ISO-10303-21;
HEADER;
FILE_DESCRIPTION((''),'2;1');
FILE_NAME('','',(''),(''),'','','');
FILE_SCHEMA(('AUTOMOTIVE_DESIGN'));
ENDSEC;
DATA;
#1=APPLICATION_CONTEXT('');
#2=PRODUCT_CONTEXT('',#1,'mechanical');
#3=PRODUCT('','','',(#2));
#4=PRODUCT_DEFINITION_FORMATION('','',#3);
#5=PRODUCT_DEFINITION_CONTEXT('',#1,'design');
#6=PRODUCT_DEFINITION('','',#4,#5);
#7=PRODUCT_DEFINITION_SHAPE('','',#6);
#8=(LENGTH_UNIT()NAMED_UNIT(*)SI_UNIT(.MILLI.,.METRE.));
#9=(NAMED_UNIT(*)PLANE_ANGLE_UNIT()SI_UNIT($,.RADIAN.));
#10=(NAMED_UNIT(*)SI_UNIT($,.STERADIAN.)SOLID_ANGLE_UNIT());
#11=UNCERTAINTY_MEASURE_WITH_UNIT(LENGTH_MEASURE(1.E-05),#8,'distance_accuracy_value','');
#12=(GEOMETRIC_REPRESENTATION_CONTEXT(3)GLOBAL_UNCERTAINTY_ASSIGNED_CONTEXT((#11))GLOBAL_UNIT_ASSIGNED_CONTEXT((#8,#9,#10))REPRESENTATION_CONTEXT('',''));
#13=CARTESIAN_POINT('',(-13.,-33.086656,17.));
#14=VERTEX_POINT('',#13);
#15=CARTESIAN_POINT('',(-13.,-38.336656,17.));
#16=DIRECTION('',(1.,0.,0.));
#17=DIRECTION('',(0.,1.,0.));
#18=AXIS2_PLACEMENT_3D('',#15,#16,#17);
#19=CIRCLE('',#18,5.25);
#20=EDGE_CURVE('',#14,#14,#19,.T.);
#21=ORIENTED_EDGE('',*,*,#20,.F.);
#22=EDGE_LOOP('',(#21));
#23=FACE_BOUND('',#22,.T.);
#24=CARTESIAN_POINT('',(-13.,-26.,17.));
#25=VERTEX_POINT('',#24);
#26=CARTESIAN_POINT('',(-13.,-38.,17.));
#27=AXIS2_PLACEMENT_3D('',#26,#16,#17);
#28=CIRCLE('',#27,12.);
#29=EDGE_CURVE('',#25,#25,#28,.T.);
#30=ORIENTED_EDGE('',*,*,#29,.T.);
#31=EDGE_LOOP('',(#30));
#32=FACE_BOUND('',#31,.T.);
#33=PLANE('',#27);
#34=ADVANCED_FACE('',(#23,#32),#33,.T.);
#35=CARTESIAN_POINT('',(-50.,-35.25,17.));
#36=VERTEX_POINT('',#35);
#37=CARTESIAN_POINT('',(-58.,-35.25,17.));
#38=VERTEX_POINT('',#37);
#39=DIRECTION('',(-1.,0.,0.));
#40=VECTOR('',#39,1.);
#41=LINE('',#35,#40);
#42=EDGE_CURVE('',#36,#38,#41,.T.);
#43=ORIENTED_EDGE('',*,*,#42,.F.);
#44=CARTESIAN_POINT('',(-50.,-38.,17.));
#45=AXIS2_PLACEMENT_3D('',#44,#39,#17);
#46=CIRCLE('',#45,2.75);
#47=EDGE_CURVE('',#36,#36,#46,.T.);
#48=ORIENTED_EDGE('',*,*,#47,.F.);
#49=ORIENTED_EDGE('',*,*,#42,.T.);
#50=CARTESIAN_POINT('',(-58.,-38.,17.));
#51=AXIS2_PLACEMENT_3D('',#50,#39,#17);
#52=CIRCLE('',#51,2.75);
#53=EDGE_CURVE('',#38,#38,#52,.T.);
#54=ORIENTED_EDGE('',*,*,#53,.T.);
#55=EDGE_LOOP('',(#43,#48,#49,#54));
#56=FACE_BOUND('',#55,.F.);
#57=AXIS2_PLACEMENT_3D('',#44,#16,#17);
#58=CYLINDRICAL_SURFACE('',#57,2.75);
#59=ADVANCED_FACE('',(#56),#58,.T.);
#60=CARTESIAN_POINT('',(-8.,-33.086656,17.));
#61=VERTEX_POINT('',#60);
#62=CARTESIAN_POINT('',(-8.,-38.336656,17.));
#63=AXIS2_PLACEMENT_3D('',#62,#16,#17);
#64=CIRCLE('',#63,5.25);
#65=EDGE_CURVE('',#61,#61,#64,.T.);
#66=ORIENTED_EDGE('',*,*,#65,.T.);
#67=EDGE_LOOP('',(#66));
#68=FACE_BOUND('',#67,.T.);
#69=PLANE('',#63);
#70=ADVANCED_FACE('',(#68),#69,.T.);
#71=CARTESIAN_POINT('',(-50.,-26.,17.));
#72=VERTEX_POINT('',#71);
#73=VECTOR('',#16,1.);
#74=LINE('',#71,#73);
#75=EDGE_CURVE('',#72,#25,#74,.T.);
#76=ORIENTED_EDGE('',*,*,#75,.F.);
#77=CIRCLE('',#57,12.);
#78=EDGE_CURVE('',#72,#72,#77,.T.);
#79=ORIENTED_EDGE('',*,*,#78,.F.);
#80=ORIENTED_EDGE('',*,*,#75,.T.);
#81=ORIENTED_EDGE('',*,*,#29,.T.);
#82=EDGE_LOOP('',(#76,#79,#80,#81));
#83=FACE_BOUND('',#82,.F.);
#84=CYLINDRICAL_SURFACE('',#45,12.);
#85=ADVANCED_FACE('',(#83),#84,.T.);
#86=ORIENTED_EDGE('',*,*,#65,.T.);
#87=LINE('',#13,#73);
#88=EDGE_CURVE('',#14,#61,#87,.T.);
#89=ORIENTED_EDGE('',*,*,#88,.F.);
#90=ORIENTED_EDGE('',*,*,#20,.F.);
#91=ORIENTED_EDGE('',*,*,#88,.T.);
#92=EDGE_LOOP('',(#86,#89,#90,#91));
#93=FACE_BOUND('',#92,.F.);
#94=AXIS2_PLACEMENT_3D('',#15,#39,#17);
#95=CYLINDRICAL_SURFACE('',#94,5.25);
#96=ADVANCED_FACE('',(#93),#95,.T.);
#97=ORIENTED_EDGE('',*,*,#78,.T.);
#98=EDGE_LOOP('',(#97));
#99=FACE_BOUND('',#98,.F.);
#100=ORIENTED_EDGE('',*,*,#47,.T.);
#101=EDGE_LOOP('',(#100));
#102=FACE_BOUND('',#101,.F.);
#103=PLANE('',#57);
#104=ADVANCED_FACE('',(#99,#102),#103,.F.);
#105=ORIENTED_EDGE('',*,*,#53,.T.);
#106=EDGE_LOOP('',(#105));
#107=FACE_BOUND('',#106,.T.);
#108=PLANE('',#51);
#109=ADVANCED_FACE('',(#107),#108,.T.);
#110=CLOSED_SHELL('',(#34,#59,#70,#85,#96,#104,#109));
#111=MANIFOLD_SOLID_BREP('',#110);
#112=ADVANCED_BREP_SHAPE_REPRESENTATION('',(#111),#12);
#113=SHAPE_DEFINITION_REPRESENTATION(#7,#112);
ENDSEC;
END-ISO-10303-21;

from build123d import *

# Parameters (mm, degrees)
SKETCH002_R  = 12
PAD001_DEPTH = 37
SKETCH003_R  = 5.25
PAD002_DEPTH = 5
SKETCH004_R  = 2.75
PAD003_DEPTH = 8


with BuildPart() as part:
    # Sketch002 → Pad001 (new body)
    with BuildSketch(Plane.YZ):
        Circle(SKETCH002_R)
    extrude(amount=PAD001_DEPTH)

    # Sketch003 (on Face3 of Pad001) → Pad002 (join)
    with BuildSketch(Plane.YZ.offset(37)):
        with Locations((-0.336656, 0)):
            Circle(SKETCH003_R)
    extrude(amount=PAD002_DEPTH)

    # Sketch004 (on Face2 of Pad002) → Pad003 (join)
    with BuildSketch(Plane(origin=(0, 0, 0), x_dir=(0, 1, 0), z_dir=(-1, 0, 0))):
        Circle(SKETCH004_R)
    extrude(amount=PAD003_DEPTH)


with BuildPart() as part_1:
    # Body001 placement: moved
    add(part.part.moved(Location((-50, -38, 17))))


solid = part_1.part
